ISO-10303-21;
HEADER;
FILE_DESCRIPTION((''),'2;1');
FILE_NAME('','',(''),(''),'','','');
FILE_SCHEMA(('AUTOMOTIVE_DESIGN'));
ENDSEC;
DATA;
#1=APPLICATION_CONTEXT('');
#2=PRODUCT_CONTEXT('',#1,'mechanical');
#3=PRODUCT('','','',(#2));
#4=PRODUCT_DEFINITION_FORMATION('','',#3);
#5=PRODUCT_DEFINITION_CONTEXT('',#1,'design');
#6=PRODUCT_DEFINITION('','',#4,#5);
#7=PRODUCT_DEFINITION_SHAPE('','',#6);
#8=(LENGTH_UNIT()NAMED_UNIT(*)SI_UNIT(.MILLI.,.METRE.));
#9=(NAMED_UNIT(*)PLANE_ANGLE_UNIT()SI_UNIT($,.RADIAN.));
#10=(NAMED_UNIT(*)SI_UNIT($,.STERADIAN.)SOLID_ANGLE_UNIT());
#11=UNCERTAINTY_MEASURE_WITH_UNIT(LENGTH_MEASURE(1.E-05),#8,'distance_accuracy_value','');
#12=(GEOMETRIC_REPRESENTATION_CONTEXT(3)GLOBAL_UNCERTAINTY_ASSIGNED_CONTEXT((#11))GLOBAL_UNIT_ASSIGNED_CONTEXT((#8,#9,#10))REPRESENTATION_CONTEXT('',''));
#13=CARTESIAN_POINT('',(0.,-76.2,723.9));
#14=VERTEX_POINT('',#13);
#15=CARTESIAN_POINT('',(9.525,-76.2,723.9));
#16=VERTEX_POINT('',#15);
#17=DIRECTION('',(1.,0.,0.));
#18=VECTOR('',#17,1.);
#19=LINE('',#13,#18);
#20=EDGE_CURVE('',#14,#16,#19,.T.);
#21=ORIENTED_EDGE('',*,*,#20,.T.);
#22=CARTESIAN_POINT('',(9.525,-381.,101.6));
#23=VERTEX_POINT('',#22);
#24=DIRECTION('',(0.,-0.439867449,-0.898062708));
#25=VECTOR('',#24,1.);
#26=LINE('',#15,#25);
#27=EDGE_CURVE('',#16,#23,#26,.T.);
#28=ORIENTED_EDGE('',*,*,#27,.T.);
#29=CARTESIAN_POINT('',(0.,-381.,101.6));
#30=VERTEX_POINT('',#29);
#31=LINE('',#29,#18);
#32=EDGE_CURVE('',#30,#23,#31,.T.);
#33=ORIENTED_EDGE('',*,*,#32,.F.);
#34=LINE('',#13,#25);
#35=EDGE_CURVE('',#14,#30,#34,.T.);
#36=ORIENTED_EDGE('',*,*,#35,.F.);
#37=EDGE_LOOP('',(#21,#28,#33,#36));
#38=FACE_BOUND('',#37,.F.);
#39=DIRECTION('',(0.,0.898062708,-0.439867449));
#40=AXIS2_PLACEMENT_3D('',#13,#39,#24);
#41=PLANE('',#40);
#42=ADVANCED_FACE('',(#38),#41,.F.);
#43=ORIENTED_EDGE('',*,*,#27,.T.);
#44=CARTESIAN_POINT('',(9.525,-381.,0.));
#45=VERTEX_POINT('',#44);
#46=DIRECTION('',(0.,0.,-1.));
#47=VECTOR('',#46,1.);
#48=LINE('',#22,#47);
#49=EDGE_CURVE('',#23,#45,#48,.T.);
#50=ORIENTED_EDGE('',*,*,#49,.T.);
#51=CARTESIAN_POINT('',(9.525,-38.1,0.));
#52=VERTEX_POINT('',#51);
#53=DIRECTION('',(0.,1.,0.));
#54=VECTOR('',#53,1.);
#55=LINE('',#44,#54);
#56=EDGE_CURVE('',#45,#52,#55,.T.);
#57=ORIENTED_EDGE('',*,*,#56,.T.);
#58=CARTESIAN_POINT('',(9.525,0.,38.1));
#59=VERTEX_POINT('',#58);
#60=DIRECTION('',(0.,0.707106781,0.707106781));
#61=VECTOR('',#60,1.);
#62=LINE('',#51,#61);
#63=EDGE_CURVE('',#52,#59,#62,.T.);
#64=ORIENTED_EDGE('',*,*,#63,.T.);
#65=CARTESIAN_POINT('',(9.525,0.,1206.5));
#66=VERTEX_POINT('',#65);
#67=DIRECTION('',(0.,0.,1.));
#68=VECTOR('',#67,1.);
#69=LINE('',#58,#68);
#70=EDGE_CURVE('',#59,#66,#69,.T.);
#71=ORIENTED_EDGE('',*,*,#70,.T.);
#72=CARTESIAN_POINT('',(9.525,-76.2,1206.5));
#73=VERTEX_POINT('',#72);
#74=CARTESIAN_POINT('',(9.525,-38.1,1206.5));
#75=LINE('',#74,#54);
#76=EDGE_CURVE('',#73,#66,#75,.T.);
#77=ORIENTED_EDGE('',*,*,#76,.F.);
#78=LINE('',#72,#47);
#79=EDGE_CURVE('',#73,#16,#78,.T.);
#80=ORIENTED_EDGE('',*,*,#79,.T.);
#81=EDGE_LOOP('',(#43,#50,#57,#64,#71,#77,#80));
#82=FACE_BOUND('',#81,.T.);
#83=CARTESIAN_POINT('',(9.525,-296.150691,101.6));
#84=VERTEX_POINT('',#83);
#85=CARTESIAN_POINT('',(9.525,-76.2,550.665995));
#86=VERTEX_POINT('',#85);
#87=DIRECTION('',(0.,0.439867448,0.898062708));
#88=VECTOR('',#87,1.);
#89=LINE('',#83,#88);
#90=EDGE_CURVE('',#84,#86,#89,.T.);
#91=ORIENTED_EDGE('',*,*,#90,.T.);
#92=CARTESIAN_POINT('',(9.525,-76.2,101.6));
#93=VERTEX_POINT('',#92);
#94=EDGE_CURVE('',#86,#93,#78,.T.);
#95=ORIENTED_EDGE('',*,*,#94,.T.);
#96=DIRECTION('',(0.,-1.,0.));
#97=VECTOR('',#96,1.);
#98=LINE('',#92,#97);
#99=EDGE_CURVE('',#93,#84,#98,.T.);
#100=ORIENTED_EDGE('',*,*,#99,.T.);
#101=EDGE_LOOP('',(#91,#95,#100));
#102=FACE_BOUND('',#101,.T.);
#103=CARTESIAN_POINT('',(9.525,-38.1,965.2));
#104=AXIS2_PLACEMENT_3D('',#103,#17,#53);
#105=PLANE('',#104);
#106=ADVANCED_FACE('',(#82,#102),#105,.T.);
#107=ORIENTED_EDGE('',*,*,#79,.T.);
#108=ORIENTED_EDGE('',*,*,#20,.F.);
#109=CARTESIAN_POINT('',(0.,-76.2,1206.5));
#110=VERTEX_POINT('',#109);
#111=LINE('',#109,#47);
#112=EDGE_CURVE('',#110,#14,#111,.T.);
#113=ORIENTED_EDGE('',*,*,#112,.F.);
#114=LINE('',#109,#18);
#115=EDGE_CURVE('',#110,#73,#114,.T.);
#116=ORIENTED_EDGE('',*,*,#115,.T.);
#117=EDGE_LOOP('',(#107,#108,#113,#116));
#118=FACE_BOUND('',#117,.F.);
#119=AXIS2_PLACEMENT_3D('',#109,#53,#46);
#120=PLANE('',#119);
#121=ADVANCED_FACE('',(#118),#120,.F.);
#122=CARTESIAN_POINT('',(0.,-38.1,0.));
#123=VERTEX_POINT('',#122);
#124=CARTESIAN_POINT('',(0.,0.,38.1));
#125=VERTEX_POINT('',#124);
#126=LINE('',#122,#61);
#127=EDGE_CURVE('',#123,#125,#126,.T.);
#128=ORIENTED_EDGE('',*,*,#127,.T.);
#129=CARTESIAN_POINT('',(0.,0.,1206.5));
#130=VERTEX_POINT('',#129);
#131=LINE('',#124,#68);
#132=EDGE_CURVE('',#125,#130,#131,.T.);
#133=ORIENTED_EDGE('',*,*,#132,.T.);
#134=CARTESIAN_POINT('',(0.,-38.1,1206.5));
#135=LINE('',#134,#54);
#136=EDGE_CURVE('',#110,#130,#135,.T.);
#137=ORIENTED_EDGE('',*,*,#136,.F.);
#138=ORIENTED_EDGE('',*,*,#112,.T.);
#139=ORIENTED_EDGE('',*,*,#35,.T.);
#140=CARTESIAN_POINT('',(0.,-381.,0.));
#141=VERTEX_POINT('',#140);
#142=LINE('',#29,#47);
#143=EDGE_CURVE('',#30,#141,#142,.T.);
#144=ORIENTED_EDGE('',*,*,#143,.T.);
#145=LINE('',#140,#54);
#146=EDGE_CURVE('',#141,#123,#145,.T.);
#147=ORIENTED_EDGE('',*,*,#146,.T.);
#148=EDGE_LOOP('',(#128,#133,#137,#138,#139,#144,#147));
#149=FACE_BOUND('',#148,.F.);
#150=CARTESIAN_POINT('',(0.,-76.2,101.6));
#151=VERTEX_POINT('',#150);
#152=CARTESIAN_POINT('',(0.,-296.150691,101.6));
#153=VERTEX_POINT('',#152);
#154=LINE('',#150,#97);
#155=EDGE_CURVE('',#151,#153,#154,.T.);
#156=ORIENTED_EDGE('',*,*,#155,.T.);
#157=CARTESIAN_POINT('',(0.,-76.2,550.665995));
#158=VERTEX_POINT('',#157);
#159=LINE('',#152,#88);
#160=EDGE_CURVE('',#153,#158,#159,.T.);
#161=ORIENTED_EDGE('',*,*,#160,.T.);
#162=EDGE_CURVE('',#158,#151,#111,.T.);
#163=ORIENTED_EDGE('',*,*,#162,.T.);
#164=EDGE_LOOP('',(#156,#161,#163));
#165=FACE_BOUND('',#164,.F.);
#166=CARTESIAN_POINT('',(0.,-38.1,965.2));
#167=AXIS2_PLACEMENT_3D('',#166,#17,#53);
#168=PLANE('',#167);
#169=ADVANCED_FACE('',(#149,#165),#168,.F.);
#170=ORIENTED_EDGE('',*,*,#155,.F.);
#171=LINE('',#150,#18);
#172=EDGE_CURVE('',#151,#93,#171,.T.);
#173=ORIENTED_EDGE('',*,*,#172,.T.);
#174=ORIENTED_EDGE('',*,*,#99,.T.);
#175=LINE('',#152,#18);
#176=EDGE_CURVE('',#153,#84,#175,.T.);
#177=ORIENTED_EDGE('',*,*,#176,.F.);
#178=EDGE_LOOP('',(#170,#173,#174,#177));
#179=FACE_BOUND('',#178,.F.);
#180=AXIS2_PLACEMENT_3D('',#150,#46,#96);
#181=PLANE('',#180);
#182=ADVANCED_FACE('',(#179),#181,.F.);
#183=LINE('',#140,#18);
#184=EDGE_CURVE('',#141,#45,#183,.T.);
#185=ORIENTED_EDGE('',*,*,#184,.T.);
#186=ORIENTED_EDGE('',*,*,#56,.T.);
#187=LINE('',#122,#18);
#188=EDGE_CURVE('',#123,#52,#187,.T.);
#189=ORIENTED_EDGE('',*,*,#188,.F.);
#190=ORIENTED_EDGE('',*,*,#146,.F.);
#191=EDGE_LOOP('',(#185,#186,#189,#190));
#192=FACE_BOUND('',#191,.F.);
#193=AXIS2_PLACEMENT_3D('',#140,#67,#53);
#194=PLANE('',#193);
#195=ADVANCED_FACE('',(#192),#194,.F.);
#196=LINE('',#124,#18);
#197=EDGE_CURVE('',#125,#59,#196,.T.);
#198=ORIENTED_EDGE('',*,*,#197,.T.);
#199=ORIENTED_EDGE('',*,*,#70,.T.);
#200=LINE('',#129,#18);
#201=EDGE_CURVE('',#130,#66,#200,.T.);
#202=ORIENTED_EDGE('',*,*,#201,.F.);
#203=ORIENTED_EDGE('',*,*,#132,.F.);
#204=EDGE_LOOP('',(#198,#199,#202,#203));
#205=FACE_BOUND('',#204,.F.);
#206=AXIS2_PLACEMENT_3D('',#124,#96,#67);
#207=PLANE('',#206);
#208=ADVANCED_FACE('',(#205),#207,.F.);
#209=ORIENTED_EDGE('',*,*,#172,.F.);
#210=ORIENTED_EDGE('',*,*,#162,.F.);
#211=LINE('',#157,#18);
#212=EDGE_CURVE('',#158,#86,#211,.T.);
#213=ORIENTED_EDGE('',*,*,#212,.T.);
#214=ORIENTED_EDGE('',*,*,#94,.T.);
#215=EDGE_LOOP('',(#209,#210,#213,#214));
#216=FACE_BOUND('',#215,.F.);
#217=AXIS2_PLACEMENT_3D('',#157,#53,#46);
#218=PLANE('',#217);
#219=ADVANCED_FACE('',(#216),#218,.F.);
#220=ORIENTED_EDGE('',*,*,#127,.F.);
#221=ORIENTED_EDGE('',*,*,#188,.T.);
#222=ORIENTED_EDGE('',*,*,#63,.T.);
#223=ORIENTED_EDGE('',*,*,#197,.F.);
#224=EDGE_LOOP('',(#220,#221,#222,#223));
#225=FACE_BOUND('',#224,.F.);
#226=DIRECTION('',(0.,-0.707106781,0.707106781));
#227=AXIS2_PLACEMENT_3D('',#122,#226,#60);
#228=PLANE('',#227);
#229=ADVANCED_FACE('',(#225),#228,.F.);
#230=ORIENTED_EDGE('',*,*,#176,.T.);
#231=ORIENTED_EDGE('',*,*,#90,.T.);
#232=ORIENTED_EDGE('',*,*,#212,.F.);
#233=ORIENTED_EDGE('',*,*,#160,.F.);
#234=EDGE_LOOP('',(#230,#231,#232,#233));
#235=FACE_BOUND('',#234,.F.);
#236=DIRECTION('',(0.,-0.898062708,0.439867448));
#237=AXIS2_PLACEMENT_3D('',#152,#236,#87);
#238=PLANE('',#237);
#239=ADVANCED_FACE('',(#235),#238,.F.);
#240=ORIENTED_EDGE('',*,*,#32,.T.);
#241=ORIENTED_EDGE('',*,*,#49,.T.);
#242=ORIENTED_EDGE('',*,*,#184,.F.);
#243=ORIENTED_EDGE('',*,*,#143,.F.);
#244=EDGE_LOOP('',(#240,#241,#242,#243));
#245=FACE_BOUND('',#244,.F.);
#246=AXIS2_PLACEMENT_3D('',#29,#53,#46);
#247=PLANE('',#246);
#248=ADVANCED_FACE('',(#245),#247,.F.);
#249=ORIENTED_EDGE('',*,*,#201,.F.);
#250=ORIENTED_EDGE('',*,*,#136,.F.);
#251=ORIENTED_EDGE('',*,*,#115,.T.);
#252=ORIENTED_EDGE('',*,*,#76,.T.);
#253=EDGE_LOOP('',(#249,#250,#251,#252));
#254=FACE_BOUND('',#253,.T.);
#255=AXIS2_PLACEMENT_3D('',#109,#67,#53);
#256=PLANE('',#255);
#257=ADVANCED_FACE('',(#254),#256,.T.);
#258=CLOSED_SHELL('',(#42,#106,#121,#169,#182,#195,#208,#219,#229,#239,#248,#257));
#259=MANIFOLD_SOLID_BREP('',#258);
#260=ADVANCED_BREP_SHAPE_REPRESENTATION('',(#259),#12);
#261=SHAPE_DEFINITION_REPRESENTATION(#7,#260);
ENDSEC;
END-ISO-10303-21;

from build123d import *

# Parameters (mm, degrees)
F0_W     = 76.2
F0_H     = 482.6
F1_DEPTH = 9.525


with BuildPart() as f1:
    # F0 (on Right) → F1 (new body)
    with BuildSketch(Plane.YZ):
        with Locations((-38.1, 965.2)):
            Rectangle(F0_W, F0_H)
        Polygon((-381, 0), (-38.1, 0), (0, 38.1), (0, 723.9), (-76.2, 723.9), (-76.2, 550.665995), (-76.2, 101.6), (-296.150691, 101.6), (-381, 101.6), align=None)
        Polygon((-76.2, 723.9), (-381, 101.6), (-296.150691, 101.6), (-76.2, 550.665995), align=None)
    extrude(amount=F1_DEPTH)


solid = f1.part
